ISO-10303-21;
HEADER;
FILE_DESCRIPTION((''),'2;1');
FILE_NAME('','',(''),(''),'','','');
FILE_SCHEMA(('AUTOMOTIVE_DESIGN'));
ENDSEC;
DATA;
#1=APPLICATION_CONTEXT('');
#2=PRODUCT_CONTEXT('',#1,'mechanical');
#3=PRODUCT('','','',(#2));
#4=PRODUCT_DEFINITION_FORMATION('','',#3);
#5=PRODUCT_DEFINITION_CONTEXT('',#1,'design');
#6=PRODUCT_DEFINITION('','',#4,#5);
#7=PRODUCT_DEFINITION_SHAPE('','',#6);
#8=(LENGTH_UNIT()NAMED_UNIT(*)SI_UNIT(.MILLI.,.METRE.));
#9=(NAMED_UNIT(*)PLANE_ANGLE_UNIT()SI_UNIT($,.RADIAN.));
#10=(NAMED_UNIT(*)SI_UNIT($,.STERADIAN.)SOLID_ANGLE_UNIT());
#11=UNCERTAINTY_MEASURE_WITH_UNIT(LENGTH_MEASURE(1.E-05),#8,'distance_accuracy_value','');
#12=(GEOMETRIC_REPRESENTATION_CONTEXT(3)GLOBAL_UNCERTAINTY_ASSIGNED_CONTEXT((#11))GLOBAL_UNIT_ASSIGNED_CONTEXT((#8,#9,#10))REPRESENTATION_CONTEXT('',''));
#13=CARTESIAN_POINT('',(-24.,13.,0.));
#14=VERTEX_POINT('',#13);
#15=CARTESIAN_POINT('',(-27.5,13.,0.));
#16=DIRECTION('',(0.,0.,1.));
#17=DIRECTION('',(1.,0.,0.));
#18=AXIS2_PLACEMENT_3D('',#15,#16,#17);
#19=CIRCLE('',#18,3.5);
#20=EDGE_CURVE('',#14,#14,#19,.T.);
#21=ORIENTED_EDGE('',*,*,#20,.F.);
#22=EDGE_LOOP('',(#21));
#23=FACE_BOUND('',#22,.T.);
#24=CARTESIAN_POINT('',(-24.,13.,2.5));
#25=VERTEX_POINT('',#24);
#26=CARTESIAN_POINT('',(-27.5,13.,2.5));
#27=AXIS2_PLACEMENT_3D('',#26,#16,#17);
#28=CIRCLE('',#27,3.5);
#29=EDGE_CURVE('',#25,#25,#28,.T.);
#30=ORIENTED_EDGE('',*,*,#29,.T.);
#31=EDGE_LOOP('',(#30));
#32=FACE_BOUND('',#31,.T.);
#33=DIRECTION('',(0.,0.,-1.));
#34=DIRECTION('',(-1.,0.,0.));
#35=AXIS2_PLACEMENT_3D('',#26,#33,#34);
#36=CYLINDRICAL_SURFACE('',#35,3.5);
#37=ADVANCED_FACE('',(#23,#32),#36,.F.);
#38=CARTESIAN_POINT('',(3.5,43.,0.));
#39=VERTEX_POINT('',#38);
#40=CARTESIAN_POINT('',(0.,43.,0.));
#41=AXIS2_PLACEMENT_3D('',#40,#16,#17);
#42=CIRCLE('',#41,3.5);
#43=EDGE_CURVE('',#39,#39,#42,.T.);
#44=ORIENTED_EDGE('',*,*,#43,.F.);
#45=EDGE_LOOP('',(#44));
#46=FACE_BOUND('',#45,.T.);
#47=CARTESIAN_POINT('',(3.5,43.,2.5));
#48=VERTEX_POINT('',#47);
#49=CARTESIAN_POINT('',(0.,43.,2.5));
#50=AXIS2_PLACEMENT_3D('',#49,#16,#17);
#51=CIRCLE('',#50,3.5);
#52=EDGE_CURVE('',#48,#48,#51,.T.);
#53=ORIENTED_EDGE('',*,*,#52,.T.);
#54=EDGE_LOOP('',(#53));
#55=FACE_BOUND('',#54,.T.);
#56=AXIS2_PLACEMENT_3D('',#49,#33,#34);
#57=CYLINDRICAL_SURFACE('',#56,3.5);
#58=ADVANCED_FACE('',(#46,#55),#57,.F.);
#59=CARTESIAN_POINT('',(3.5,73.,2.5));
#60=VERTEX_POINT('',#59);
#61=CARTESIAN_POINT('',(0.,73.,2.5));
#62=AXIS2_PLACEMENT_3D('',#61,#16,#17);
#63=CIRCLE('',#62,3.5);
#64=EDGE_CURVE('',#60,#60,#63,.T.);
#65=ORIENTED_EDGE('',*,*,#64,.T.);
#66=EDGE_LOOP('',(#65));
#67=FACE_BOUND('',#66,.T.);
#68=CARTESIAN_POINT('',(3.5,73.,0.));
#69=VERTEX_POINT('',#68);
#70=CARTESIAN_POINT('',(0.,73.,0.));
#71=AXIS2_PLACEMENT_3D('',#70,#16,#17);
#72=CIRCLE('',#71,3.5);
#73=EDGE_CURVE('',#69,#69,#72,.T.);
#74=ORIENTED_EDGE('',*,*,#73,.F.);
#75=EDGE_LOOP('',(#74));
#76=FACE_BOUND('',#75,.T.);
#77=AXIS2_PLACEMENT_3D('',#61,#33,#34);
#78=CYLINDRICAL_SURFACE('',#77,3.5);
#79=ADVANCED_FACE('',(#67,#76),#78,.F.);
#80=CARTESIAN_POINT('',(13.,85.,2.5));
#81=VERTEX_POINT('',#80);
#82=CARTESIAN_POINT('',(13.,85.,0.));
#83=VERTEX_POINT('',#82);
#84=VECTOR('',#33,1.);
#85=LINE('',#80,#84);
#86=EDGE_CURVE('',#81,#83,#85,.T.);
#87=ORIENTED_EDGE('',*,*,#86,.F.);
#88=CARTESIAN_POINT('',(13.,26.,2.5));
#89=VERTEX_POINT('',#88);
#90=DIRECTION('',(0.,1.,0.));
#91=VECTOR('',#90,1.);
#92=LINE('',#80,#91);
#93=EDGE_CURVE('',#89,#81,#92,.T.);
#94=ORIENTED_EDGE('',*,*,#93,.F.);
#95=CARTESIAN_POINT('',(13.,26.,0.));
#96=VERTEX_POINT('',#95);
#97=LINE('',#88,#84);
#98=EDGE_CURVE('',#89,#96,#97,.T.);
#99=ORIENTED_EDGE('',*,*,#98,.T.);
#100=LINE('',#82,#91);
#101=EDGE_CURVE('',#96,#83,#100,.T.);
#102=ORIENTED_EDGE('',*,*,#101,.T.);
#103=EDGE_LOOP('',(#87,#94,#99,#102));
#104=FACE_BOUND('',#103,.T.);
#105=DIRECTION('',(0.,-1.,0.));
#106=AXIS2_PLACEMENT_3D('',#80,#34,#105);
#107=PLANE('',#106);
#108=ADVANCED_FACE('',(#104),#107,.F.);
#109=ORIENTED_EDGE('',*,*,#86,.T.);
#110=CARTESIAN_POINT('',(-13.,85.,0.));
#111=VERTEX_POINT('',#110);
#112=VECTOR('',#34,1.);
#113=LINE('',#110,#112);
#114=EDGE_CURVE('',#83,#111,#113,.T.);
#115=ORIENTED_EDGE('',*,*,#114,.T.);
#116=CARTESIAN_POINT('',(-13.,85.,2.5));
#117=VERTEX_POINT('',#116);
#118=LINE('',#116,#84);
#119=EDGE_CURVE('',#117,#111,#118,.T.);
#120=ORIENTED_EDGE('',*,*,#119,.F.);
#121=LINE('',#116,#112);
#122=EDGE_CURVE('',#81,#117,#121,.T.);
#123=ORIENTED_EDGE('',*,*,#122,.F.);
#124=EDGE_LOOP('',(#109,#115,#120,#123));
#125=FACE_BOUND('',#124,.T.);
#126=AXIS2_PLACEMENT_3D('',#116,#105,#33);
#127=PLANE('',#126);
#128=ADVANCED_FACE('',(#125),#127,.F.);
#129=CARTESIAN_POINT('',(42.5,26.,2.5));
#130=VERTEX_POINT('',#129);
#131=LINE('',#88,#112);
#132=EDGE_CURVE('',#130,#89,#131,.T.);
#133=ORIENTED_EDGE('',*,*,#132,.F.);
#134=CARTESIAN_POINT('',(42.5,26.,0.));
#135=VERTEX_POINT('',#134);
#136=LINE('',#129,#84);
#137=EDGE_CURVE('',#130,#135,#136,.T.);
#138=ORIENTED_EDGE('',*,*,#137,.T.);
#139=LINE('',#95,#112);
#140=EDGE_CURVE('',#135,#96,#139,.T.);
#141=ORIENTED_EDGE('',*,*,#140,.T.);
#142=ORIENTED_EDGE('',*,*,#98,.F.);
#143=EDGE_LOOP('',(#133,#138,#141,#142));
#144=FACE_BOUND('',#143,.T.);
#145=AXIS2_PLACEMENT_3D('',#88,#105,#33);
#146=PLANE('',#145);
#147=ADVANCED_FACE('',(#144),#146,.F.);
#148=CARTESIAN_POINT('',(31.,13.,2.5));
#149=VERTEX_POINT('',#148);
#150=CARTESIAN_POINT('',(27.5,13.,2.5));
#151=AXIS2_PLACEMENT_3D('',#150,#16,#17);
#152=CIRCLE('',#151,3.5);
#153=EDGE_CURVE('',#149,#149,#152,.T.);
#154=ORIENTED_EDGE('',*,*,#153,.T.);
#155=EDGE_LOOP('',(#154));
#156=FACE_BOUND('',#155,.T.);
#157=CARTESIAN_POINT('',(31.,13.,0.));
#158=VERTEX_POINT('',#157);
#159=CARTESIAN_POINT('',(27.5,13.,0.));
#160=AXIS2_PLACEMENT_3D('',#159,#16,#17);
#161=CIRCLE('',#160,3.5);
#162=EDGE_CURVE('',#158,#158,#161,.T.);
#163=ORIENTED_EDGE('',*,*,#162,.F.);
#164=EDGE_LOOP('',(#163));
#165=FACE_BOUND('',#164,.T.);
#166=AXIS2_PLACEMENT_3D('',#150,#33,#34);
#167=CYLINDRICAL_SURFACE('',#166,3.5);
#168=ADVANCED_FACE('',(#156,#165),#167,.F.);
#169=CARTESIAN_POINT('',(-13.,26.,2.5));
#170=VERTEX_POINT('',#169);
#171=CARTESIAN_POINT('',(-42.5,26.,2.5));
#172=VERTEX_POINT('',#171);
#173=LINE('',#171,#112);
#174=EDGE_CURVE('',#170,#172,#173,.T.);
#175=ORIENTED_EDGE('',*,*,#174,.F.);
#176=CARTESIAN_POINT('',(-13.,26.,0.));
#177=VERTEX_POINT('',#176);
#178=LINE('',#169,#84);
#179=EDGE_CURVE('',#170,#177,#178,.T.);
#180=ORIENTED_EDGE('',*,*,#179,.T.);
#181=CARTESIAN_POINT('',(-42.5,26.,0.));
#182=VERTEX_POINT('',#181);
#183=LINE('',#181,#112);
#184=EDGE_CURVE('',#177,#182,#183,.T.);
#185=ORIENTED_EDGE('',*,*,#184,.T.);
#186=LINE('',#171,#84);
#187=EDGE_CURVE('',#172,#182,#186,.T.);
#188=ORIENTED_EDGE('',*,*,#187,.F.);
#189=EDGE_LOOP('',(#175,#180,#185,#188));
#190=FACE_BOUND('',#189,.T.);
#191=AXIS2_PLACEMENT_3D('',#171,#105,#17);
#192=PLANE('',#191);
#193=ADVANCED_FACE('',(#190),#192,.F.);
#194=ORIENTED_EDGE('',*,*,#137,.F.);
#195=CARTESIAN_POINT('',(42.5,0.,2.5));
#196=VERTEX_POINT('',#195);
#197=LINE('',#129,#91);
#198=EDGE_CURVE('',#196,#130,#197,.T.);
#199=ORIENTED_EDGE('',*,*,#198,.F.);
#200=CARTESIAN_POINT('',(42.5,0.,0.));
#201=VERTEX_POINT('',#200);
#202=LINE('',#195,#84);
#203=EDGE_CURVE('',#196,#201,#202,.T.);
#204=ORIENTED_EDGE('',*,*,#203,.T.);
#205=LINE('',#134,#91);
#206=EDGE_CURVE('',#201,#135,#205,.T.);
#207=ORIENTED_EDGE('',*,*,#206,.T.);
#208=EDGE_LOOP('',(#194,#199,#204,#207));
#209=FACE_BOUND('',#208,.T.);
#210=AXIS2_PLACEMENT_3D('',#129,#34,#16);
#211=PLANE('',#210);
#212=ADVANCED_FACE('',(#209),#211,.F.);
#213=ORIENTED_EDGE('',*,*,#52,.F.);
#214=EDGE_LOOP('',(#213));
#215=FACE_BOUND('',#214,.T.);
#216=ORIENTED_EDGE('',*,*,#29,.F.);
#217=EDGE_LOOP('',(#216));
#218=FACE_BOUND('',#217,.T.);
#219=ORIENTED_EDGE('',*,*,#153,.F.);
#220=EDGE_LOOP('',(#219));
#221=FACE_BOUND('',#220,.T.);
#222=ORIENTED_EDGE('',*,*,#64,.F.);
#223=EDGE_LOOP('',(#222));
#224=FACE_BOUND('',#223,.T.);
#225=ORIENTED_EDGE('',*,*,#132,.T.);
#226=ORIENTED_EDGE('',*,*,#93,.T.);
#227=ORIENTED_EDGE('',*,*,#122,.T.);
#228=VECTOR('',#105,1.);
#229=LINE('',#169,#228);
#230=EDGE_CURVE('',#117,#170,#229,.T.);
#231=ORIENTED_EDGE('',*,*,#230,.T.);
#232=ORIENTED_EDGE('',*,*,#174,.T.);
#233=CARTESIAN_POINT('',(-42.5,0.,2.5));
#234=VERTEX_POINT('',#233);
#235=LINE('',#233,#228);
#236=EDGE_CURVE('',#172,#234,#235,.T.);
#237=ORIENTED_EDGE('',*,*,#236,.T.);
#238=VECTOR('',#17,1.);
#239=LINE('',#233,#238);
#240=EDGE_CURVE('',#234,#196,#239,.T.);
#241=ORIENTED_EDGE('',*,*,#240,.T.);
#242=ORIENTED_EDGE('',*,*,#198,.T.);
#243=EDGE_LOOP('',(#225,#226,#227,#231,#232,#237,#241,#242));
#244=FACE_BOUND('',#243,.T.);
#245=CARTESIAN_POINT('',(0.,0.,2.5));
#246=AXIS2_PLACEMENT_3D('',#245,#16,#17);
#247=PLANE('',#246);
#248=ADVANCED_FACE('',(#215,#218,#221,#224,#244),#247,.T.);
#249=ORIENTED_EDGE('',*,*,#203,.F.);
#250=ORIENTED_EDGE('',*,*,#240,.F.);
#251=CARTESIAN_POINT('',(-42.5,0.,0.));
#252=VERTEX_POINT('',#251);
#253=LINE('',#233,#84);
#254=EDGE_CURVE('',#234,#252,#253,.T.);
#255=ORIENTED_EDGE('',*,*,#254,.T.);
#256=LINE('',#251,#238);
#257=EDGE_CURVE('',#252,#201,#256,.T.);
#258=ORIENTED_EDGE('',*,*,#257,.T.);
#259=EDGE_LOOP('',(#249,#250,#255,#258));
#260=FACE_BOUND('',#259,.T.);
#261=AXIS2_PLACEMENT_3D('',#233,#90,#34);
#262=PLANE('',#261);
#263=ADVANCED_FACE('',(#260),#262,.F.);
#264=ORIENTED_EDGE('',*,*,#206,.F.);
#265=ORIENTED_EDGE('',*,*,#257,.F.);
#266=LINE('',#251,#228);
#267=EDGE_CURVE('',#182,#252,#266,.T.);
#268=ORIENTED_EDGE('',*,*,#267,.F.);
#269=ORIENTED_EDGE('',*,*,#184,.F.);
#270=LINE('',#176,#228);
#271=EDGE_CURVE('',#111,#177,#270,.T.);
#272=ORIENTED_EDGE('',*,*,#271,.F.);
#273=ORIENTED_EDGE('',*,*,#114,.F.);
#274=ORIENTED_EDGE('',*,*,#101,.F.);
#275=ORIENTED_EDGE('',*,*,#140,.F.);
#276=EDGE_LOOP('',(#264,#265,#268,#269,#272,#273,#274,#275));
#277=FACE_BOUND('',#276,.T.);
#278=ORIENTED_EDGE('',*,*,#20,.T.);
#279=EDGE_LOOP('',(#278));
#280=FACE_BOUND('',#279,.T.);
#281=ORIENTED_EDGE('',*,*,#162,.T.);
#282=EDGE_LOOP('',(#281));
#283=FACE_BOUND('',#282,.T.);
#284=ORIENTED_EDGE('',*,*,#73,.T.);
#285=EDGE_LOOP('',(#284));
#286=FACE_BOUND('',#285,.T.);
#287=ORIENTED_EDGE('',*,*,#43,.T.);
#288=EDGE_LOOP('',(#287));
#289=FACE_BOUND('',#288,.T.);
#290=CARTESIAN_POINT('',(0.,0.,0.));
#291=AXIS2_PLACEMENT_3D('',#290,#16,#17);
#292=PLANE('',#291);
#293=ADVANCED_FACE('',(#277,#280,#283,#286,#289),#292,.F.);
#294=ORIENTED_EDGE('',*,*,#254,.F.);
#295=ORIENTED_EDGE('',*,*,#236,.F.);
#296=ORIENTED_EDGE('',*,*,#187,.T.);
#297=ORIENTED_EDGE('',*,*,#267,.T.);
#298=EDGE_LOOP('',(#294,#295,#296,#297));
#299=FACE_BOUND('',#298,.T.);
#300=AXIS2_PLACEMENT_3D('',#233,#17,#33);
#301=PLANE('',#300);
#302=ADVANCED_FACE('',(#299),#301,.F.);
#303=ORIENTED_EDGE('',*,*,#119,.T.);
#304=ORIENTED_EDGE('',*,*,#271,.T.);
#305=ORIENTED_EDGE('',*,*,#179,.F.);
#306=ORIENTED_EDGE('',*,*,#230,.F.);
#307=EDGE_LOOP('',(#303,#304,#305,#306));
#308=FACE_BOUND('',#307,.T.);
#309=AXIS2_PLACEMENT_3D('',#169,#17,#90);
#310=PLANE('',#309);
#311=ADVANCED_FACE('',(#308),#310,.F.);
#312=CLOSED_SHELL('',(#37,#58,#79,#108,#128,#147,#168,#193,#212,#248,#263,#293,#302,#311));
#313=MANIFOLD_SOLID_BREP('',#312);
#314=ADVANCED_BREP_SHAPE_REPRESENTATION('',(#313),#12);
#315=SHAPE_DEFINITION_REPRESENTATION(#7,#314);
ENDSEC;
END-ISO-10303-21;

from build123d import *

# Parameters (mm, degrees)
SKETCH_1_R      = 3.5
EXTRUDE_1_DEPTH = 2.5


with BuildPart() as part:
    # Эскиз1 → Бобышка-Вытянуть1 (new body)
    with BuildSketch(Plane.XY):
        Polygon((-42.5, 0), (42.5, 0), (42.5, 26), (13, 26), (13, 85), (-13, 85), (-13, 26), (-42.5, 26), align=None)
        with Locations((0, 73)):
            Circle(SKETCH_1_R, mode=Mode.SUBTRACT)
        with Locations((0, 43)):
            Circle(SKETCH_1_R, mode=Mode.SUBTRACT)
        with Locations((-27.5, 13)):
            Circle(SKETCH_1_R, mode=Mode.SUBTRACT)
        with Locations((27.5, 13)):
            Circle(SKETCH_1_R, mode=Mode.SUBTRACT)
    extrude(amount=EXTRUDE_1_DEPTH)


solid = part.part
